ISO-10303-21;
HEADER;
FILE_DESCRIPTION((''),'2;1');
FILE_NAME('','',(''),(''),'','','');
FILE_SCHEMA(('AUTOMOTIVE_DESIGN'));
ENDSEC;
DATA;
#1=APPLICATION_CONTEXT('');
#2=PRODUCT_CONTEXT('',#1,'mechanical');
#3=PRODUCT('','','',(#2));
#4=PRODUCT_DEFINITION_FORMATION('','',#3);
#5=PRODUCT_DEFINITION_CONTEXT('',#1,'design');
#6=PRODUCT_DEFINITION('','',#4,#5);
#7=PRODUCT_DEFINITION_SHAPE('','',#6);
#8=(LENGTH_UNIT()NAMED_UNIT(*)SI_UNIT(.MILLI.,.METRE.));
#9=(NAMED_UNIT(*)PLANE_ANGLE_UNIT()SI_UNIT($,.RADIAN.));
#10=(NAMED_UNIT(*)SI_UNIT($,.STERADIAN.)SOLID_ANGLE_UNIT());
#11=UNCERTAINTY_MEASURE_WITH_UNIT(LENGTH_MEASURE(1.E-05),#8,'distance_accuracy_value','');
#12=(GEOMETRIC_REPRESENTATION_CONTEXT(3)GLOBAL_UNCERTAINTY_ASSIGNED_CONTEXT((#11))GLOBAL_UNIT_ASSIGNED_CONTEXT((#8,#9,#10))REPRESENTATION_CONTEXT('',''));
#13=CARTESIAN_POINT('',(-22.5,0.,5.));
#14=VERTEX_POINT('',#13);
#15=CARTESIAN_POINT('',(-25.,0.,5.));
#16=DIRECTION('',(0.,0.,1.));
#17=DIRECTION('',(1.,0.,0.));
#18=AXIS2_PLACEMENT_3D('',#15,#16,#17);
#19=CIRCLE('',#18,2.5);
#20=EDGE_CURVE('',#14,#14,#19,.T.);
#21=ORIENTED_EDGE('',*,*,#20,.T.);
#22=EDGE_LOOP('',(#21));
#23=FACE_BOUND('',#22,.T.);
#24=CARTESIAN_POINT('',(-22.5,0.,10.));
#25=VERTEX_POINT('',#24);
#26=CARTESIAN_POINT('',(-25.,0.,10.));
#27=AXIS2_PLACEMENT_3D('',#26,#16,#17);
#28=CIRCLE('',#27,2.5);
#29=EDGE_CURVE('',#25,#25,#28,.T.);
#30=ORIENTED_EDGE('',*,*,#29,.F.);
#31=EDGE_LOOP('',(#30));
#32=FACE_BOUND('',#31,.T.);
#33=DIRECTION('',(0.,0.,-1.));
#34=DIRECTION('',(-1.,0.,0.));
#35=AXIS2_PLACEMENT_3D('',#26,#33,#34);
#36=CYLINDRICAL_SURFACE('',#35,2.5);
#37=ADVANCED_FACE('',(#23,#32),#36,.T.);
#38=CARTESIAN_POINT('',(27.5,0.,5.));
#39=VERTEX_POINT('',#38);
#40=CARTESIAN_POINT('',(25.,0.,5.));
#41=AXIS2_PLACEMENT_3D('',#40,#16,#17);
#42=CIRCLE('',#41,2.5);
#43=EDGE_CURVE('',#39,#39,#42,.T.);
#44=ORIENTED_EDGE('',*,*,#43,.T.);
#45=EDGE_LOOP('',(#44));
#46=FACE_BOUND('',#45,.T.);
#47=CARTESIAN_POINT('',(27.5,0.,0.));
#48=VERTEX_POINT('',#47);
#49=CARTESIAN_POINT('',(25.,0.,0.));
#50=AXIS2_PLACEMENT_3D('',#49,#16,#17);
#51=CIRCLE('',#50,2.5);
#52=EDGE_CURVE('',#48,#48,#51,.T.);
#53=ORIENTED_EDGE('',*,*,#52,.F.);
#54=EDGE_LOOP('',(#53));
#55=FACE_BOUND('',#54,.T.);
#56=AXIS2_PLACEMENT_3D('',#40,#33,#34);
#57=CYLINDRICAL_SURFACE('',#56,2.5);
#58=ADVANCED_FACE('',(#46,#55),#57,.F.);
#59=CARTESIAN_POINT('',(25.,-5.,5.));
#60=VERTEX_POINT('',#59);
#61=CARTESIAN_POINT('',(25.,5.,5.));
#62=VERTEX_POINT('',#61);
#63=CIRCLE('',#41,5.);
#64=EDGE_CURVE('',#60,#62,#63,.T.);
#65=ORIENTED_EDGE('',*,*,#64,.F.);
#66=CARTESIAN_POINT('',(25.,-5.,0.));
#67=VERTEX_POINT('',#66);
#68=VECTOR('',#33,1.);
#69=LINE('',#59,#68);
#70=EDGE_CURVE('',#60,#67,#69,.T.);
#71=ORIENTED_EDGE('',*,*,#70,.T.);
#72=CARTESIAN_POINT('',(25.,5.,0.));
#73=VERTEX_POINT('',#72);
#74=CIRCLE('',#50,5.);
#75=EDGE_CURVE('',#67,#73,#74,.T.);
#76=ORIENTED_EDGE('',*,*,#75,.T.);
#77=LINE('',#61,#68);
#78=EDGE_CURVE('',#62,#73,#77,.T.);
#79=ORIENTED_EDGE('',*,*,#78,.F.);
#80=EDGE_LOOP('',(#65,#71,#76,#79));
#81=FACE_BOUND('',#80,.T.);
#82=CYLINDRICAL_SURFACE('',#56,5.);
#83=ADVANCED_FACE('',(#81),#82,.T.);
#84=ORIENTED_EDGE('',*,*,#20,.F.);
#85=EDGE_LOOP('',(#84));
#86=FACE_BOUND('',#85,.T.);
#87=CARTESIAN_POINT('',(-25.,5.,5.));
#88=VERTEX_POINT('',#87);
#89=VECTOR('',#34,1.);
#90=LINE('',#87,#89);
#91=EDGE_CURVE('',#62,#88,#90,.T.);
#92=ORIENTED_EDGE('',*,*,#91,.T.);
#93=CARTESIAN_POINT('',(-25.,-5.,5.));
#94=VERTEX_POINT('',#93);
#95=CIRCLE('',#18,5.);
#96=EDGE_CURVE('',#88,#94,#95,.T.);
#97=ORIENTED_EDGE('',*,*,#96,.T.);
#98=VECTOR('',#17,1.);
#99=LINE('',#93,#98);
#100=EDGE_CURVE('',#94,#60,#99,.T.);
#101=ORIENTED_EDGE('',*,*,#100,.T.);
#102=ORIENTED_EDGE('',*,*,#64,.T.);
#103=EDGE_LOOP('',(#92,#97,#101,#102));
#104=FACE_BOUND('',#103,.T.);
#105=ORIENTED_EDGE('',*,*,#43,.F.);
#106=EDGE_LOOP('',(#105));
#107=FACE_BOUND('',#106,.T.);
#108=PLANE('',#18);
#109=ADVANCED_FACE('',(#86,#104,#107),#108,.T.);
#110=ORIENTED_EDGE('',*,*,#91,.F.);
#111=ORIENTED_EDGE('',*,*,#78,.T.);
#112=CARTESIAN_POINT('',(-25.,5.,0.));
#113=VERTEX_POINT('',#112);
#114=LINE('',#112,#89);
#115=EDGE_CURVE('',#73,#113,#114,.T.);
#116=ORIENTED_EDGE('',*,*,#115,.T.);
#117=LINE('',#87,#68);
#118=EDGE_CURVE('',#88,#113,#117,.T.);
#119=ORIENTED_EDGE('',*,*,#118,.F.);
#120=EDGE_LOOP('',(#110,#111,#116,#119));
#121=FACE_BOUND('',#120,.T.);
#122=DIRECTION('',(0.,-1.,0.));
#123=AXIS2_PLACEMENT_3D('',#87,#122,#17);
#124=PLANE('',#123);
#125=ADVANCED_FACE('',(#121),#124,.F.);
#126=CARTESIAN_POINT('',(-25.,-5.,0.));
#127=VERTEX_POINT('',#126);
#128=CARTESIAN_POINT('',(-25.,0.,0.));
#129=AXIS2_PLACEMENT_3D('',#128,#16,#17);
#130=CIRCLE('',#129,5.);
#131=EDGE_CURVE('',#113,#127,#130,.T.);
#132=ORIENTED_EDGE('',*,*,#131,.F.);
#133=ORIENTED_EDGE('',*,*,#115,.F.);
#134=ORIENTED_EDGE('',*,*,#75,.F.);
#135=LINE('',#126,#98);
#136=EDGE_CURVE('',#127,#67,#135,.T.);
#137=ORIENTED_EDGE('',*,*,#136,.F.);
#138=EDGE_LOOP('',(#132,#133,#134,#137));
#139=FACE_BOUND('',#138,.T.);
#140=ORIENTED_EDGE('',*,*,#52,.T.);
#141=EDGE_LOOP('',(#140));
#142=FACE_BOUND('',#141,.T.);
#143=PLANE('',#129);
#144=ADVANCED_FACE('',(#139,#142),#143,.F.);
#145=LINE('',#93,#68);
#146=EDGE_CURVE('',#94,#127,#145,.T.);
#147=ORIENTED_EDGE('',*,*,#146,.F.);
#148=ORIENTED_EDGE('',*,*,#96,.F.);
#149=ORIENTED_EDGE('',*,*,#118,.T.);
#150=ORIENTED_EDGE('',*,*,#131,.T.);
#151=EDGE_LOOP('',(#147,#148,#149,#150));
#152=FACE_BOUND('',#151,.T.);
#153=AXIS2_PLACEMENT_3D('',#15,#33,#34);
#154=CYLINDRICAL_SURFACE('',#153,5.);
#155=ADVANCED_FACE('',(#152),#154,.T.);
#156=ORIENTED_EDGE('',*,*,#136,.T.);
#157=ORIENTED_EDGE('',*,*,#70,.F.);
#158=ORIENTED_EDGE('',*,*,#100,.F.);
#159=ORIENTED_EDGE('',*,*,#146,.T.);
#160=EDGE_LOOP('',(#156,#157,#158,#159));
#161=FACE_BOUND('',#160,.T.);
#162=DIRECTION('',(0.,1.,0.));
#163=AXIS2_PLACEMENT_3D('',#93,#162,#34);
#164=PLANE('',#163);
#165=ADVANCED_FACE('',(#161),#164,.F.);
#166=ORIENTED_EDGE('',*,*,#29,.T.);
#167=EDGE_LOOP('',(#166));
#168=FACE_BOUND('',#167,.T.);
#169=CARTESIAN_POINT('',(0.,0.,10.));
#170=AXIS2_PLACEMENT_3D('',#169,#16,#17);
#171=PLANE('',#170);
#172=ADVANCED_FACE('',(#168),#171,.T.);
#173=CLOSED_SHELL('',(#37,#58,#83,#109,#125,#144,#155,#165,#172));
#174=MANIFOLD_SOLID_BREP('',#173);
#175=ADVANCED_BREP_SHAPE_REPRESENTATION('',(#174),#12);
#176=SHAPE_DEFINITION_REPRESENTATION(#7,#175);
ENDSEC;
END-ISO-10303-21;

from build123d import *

# Parameters (mm, degrees)
SKETCH1_R           = 2.5
BOSS_EXTRUDE1_DEPTH = 5
SKETCH1_2_R         = 2.5
BOSS_EXTRUDE2_DEPTH = 10


with BuildPart() as part:
    # Sketch1 → Boss-Extrude1 (new body)
    with BuildSketch(Plane.XY):
        with BuildLine():
            Line((-25, 5), (25, 5))
            ThreePointArc((25, 5), (30, 0), (25, -5))
            Line((25, -5), (-25, -5))
            ThreePointArc((-25, -5), (-30, 0), (-25, 5))
        make_face()
        with Locations((-25, 0)):
            Circle(SKETCH1_R, mode=Mode.SUBTRACT)
        with Locations((25, 0)):
            Circle(SKETCH1_R, mode=Mode.SUBTRACT)
    extrude(amount=BOSS_EXTRUDE1_DEPTH)

    # Sketch1<2> → Boss-Extrude2 (add)
    with BuildSketch(Plane.XY):
        with Locations((-25, 0)):
            Circle(SKETCH1_2_R)
    extrude(amount=BOSS_EXTRUDE2_DEPTH)


solid = part.part
